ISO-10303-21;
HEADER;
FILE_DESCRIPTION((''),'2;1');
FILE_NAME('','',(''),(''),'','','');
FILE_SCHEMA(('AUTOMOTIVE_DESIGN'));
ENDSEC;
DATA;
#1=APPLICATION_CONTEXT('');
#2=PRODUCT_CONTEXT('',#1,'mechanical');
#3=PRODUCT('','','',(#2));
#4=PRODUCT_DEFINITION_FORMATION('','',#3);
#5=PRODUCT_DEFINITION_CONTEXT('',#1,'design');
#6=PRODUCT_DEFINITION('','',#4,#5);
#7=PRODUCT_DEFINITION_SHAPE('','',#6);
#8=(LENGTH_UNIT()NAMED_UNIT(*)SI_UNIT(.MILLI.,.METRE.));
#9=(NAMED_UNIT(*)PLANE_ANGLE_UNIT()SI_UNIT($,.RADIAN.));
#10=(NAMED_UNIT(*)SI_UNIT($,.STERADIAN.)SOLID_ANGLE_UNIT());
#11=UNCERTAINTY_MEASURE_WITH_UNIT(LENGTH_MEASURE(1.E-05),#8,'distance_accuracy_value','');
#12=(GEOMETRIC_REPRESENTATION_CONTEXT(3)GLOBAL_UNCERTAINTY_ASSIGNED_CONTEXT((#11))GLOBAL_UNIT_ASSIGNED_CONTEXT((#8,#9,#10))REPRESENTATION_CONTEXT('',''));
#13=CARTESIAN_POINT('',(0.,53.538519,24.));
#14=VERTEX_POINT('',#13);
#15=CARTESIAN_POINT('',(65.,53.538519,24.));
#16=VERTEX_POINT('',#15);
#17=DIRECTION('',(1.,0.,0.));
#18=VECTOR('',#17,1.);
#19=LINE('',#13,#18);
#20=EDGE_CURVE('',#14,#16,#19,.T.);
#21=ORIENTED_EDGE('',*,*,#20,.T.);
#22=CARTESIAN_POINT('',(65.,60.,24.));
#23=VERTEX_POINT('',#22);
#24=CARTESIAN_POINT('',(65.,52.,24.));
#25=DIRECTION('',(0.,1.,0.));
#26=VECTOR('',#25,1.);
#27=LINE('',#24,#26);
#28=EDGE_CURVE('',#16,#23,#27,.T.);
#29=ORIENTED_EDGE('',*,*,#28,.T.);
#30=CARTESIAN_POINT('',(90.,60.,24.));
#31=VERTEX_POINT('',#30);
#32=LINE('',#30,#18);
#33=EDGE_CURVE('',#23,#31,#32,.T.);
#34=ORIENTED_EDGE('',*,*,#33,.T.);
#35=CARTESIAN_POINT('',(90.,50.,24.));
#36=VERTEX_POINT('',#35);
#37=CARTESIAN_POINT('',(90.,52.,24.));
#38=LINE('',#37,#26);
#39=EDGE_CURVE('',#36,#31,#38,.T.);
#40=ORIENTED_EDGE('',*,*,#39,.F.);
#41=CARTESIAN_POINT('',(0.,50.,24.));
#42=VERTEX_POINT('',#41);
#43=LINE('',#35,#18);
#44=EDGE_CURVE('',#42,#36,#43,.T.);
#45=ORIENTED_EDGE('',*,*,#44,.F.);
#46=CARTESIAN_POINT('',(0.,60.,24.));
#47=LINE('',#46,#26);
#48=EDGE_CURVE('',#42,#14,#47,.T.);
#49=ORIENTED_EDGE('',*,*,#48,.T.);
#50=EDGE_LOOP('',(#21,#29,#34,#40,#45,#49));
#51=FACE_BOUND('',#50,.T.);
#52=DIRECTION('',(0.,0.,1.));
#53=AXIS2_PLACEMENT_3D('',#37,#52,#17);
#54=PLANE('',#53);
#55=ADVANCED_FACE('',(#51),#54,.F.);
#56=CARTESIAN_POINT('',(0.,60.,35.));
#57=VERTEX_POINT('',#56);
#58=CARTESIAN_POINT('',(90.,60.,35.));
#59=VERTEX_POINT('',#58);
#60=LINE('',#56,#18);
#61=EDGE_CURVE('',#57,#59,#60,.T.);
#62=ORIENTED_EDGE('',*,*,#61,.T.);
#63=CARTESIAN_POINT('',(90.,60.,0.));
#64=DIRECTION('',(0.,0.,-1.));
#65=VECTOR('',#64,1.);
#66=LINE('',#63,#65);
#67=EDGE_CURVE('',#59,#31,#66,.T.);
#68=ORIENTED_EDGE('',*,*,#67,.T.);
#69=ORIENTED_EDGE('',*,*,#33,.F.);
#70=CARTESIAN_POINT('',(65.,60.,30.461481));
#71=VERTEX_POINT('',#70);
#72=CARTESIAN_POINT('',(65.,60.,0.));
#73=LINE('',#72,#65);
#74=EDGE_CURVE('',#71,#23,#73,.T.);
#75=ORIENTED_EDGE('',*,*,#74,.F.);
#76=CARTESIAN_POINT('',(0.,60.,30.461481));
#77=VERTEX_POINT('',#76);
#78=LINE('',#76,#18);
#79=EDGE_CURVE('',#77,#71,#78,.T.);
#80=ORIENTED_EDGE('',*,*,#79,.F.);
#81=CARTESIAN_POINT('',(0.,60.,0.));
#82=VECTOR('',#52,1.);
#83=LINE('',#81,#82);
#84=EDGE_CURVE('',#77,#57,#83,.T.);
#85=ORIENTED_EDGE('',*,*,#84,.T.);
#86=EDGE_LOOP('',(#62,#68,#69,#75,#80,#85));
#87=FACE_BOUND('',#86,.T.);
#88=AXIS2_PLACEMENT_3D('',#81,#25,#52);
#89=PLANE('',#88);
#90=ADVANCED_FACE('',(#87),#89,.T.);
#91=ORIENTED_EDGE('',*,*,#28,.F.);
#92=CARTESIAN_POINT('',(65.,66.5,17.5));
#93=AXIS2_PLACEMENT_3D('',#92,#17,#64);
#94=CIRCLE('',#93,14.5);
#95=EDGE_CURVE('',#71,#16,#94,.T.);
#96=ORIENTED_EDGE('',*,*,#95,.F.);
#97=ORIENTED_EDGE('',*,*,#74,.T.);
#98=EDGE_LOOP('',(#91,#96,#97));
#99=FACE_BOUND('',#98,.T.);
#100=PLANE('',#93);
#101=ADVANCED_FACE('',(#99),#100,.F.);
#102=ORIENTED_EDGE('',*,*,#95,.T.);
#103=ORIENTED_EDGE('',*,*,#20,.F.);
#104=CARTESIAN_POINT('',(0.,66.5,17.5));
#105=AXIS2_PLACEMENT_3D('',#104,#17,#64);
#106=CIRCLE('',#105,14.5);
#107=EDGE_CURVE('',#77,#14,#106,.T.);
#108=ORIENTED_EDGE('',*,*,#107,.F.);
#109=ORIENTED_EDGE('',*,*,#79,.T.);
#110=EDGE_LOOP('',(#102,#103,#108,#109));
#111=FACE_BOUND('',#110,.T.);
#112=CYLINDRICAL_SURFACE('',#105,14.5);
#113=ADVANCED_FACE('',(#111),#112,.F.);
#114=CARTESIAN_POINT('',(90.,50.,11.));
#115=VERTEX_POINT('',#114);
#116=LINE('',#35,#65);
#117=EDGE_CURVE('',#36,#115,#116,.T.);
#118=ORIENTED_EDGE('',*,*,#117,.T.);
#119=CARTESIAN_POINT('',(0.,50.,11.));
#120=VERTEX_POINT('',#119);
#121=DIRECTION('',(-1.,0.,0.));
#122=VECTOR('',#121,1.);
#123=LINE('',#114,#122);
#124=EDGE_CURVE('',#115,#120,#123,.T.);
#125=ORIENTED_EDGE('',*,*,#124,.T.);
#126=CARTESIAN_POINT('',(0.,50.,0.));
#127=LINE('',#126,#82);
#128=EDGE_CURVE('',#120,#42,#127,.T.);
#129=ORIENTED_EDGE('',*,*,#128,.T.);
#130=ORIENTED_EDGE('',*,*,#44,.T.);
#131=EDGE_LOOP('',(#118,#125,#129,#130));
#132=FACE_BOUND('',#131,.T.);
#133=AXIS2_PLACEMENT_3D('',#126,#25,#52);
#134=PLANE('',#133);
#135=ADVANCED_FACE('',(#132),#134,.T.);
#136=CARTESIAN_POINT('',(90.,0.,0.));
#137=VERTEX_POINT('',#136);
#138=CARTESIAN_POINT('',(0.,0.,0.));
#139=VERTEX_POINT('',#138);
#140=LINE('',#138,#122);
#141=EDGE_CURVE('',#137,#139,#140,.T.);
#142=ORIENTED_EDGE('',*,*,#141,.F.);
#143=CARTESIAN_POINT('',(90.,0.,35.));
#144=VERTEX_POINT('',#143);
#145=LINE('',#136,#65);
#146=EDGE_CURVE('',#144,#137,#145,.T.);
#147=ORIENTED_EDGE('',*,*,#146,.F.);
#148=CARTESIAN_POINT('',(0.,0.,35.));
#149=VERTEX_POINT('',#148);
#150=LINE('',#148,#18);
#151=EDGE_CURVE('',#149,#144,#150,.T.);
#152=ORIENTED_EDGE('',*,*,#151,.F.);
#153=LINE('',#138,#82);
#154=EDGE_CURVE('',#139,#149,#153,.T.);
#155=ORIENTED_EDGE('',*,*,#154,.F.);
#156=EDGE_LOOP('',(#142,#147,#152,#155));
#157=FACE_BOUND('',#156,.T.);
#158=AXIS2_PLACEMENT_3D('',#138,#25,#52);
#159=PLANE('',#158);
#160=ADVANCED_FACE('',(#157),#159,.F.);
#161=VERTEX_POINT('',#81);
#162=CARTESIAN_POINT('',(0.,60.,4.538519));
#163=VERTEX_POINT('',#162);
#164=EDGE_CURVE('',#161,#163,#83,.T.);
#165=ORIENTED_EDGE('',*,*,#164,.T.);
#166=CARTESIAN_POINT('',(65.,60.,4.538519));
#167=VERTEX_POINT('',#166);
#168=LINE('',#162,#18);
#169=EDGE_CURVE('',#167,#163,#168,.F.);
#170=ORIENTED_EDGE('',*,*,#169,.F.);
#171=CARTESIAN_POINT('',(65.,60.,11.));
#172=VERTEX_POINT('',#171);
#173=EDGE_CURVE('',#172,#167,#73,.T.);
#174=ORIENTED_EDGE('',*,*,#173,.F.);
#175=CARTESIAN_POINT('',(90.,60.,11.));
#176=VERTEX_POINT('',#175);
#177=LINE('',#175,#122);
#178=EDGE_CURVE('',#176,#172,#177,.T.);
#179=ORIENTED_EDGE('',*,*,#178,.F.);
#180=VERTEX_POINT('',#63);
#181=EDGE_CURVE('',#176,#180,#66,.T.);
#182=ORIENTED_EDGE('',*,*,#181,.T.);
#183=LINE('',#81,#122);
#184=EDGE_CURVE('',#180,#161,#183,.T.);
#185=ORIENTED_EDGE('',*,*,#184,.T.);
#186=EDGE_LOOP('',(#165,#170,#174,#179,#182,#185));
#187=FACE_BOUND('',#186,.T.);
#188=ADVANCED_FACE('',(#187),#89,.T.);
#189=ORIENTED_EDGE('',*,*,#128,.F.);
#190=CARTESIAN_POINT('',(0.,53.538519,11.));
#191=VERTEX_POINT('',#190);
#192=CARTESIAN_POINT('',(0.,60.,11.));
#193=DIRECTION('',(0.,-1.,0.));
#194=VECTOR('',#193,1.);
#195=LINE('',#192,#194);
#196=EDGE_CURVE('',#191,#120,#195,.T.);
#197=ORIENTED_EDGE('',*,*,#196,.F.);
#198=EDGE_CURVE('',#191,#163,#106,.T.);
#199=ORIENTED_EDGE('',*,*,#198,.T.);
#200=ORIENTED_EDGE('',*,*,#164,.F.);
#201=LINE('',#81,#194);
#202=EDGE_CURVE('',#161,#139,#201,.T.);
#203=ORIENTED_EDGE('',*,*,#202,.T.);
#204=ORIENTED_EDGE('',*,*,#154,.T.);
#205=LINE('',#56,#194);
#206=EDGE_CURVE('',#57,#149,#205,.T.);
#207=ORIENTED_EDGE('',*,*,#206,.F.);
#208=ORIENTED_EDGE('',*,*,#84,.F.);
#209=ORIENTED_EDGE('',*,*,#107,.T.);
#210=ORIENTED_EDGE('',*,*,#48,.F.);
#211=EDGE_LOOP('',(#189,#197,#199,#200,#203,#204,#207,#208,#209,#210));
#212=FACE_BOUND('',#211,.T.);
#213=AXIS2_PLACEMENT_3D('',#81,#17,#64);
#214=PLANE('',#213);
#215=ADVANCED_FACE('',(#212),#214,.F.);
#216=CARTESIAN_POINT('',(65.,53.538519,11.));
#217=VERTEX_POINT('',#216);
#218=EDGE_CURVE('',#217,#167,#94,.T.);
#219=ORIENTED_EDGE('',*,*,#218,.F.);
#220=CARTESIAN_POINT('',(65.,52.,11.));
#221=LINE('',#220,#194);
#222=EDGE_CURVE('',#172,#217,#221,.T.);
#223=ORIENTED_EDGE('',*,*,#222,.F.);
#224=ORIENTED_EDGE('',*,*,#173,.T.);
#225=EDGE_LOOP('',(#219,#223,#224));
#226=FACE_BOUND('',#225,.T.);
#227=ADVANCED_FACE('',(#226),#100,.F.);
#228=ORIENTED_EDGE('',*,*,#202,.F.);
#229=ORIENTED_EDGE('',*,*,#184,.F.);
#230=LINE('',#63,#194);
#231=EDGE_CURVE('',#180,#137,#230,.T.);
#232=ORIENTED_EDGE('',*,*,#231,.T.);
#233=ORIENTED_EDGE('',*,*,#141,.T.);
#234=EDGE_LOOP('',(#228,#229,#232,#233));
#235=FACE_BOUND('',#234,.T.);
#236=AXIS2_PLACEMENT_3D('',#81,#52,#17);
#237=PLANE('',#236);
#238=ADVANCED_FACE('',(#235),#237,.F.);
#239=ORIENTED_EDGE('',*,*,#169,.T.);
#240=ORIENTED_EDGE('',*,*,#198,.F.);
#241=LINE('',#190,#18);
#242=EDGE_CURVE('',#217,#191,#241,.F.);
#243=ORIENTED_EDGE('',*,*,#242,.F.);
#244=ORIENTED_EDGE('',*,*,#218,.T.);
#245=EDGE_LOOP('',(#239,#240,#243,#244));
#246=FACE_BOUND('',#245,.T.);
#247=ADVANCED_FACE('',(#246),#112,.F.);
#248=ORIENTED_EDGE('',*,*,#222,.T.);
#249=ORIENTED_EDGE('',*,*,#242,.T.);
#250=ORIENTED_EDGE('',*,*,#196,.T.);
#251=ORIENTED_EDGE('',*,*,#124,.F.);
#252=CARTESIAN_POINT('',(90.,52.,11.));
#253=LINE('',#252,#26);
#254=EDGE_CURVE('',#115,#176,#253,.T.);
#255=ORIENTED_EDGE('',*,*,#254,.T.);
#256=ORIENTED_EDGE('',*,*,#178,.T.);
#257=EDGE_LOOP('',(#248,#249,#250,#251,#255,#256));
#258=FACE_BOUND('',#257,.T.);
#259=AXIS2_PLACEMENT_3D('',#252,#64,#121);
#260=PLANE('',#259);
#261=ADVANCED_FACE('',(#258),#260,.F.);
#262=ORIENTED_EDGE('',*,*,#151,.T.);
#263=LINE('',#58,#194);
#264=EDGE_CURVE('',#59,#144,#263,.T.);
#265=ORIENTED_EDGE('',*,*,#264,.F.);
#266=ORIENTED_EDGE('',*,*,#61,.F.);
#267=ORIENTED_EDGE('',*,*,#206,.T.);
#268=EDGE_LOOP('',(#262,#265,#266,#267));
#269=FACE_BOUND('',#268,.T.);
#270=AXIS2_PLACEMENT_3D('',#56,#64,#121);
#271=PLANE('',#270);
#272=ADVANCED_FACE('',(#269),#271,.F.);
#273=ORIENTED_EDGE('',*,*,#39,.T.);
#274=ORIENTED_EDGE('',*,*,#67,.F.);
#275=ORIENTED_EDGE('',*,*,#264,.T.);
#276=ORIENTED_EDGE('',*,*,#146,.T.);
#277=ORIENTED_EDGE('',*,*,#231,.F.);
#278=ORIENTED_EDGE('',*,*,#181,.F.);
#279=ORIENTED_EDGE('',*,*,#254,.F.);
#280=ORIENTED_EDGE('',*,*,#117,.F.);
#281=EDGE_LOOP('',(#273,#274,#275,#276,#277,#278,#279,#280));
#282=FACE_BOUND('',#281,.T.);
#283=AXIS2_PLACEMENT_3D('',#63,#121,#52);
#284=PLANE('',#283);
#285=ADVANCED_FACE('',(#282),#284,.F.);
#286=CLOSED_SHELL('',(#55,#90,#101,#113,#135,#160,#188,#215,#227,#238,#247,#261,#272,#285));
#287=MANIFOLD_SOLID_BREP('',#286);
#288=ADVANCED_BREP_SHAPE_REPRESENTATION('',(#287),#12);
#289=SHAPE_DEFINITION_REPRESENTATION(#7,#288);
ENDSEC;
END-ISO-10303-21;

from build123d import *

# Parameters (mm, degrees)
SKETCH1_W               = 90
SKETCH1_H               = 35
BOSS_EXTRUDE1_DEPTH     = 60
SKETCH2_W               = 25
SKETCH2_H               = 13
CUT_EXTRUDE1_DEPTH      = 8
SKETCH3_R               = 14.5
CUT_EXTRUDE2_DEPTH      = 96.131487952
CUT_EXTRUDE8_DEPTH      = 110.676797911
CUT_EXTRUDE8_DEPTH_BACK = 2
SKETCH4_W               = 95.939068785
SKETCH4_H               = 13


with BuildPart() as part:
    # Sketch1 → Boss-Extrude1 (new body)
    with BuildSketch(Plane(origin=(0, 0, 0), x_dir=(1, 0, 0), z_dir=(0, 1, 0))):
        with Locations((45, -17.5)):
            Rectangle(SKETCH1_W, SKETCH1_H)
    extrude(amount=BOSS_EXTRUDE1_DEPTH)

    # Sketch2 → Cut-Extrude1 (cut)
    with BuildSketch(Plane(origin=(0, 60, 0), x_dir=(1, 0, 0), z_dir=(0, 1, 0))):
        with Locations((77.5, -17.5)):
            Rectangle(SKETCH2_W, SKETCH2_H)
    extrude(amount=-CUT_EXTRUDE1_DEPTH, mode=Mode.SUBTRACT)

    # Sketch3 → Cut-Extrude2 (cut, through all)
    with BuildSketch(Plane(origin=(65, 0, 0), x_dir=(0, 0, -1), z_dir=(1, 0, 0))):
        with Locations((-17.5, 66.5)):
            Circle(SKETCH3_R)
    extrude(amount=-CUT_EXTRUDE2_DEPTH, mode=Mode.SUBTRACT)

    # Sketch4 → Cut-Extrude8 (cut, two sides: drawn at the far end of the back side and taken through both)
    with BuildSketch(Plane(origin=(0, 52, 0), x_dir=(1, 0, 0), z_dir=(0, 1, 0)).offset(-CUT_EXTRUDE8_DEPTH_BACK)):
        with Locations((42.030465607, -17.5)):
            Rectangle(SKETCH4_W, SKETCH4_H)
    extrude(amount=CUT_EXTRUDE8_DEPTH + CUT_EXTRUDE8_DEPTH_BACK, mode=Mode.SUBTRACT)


solid = part.part
